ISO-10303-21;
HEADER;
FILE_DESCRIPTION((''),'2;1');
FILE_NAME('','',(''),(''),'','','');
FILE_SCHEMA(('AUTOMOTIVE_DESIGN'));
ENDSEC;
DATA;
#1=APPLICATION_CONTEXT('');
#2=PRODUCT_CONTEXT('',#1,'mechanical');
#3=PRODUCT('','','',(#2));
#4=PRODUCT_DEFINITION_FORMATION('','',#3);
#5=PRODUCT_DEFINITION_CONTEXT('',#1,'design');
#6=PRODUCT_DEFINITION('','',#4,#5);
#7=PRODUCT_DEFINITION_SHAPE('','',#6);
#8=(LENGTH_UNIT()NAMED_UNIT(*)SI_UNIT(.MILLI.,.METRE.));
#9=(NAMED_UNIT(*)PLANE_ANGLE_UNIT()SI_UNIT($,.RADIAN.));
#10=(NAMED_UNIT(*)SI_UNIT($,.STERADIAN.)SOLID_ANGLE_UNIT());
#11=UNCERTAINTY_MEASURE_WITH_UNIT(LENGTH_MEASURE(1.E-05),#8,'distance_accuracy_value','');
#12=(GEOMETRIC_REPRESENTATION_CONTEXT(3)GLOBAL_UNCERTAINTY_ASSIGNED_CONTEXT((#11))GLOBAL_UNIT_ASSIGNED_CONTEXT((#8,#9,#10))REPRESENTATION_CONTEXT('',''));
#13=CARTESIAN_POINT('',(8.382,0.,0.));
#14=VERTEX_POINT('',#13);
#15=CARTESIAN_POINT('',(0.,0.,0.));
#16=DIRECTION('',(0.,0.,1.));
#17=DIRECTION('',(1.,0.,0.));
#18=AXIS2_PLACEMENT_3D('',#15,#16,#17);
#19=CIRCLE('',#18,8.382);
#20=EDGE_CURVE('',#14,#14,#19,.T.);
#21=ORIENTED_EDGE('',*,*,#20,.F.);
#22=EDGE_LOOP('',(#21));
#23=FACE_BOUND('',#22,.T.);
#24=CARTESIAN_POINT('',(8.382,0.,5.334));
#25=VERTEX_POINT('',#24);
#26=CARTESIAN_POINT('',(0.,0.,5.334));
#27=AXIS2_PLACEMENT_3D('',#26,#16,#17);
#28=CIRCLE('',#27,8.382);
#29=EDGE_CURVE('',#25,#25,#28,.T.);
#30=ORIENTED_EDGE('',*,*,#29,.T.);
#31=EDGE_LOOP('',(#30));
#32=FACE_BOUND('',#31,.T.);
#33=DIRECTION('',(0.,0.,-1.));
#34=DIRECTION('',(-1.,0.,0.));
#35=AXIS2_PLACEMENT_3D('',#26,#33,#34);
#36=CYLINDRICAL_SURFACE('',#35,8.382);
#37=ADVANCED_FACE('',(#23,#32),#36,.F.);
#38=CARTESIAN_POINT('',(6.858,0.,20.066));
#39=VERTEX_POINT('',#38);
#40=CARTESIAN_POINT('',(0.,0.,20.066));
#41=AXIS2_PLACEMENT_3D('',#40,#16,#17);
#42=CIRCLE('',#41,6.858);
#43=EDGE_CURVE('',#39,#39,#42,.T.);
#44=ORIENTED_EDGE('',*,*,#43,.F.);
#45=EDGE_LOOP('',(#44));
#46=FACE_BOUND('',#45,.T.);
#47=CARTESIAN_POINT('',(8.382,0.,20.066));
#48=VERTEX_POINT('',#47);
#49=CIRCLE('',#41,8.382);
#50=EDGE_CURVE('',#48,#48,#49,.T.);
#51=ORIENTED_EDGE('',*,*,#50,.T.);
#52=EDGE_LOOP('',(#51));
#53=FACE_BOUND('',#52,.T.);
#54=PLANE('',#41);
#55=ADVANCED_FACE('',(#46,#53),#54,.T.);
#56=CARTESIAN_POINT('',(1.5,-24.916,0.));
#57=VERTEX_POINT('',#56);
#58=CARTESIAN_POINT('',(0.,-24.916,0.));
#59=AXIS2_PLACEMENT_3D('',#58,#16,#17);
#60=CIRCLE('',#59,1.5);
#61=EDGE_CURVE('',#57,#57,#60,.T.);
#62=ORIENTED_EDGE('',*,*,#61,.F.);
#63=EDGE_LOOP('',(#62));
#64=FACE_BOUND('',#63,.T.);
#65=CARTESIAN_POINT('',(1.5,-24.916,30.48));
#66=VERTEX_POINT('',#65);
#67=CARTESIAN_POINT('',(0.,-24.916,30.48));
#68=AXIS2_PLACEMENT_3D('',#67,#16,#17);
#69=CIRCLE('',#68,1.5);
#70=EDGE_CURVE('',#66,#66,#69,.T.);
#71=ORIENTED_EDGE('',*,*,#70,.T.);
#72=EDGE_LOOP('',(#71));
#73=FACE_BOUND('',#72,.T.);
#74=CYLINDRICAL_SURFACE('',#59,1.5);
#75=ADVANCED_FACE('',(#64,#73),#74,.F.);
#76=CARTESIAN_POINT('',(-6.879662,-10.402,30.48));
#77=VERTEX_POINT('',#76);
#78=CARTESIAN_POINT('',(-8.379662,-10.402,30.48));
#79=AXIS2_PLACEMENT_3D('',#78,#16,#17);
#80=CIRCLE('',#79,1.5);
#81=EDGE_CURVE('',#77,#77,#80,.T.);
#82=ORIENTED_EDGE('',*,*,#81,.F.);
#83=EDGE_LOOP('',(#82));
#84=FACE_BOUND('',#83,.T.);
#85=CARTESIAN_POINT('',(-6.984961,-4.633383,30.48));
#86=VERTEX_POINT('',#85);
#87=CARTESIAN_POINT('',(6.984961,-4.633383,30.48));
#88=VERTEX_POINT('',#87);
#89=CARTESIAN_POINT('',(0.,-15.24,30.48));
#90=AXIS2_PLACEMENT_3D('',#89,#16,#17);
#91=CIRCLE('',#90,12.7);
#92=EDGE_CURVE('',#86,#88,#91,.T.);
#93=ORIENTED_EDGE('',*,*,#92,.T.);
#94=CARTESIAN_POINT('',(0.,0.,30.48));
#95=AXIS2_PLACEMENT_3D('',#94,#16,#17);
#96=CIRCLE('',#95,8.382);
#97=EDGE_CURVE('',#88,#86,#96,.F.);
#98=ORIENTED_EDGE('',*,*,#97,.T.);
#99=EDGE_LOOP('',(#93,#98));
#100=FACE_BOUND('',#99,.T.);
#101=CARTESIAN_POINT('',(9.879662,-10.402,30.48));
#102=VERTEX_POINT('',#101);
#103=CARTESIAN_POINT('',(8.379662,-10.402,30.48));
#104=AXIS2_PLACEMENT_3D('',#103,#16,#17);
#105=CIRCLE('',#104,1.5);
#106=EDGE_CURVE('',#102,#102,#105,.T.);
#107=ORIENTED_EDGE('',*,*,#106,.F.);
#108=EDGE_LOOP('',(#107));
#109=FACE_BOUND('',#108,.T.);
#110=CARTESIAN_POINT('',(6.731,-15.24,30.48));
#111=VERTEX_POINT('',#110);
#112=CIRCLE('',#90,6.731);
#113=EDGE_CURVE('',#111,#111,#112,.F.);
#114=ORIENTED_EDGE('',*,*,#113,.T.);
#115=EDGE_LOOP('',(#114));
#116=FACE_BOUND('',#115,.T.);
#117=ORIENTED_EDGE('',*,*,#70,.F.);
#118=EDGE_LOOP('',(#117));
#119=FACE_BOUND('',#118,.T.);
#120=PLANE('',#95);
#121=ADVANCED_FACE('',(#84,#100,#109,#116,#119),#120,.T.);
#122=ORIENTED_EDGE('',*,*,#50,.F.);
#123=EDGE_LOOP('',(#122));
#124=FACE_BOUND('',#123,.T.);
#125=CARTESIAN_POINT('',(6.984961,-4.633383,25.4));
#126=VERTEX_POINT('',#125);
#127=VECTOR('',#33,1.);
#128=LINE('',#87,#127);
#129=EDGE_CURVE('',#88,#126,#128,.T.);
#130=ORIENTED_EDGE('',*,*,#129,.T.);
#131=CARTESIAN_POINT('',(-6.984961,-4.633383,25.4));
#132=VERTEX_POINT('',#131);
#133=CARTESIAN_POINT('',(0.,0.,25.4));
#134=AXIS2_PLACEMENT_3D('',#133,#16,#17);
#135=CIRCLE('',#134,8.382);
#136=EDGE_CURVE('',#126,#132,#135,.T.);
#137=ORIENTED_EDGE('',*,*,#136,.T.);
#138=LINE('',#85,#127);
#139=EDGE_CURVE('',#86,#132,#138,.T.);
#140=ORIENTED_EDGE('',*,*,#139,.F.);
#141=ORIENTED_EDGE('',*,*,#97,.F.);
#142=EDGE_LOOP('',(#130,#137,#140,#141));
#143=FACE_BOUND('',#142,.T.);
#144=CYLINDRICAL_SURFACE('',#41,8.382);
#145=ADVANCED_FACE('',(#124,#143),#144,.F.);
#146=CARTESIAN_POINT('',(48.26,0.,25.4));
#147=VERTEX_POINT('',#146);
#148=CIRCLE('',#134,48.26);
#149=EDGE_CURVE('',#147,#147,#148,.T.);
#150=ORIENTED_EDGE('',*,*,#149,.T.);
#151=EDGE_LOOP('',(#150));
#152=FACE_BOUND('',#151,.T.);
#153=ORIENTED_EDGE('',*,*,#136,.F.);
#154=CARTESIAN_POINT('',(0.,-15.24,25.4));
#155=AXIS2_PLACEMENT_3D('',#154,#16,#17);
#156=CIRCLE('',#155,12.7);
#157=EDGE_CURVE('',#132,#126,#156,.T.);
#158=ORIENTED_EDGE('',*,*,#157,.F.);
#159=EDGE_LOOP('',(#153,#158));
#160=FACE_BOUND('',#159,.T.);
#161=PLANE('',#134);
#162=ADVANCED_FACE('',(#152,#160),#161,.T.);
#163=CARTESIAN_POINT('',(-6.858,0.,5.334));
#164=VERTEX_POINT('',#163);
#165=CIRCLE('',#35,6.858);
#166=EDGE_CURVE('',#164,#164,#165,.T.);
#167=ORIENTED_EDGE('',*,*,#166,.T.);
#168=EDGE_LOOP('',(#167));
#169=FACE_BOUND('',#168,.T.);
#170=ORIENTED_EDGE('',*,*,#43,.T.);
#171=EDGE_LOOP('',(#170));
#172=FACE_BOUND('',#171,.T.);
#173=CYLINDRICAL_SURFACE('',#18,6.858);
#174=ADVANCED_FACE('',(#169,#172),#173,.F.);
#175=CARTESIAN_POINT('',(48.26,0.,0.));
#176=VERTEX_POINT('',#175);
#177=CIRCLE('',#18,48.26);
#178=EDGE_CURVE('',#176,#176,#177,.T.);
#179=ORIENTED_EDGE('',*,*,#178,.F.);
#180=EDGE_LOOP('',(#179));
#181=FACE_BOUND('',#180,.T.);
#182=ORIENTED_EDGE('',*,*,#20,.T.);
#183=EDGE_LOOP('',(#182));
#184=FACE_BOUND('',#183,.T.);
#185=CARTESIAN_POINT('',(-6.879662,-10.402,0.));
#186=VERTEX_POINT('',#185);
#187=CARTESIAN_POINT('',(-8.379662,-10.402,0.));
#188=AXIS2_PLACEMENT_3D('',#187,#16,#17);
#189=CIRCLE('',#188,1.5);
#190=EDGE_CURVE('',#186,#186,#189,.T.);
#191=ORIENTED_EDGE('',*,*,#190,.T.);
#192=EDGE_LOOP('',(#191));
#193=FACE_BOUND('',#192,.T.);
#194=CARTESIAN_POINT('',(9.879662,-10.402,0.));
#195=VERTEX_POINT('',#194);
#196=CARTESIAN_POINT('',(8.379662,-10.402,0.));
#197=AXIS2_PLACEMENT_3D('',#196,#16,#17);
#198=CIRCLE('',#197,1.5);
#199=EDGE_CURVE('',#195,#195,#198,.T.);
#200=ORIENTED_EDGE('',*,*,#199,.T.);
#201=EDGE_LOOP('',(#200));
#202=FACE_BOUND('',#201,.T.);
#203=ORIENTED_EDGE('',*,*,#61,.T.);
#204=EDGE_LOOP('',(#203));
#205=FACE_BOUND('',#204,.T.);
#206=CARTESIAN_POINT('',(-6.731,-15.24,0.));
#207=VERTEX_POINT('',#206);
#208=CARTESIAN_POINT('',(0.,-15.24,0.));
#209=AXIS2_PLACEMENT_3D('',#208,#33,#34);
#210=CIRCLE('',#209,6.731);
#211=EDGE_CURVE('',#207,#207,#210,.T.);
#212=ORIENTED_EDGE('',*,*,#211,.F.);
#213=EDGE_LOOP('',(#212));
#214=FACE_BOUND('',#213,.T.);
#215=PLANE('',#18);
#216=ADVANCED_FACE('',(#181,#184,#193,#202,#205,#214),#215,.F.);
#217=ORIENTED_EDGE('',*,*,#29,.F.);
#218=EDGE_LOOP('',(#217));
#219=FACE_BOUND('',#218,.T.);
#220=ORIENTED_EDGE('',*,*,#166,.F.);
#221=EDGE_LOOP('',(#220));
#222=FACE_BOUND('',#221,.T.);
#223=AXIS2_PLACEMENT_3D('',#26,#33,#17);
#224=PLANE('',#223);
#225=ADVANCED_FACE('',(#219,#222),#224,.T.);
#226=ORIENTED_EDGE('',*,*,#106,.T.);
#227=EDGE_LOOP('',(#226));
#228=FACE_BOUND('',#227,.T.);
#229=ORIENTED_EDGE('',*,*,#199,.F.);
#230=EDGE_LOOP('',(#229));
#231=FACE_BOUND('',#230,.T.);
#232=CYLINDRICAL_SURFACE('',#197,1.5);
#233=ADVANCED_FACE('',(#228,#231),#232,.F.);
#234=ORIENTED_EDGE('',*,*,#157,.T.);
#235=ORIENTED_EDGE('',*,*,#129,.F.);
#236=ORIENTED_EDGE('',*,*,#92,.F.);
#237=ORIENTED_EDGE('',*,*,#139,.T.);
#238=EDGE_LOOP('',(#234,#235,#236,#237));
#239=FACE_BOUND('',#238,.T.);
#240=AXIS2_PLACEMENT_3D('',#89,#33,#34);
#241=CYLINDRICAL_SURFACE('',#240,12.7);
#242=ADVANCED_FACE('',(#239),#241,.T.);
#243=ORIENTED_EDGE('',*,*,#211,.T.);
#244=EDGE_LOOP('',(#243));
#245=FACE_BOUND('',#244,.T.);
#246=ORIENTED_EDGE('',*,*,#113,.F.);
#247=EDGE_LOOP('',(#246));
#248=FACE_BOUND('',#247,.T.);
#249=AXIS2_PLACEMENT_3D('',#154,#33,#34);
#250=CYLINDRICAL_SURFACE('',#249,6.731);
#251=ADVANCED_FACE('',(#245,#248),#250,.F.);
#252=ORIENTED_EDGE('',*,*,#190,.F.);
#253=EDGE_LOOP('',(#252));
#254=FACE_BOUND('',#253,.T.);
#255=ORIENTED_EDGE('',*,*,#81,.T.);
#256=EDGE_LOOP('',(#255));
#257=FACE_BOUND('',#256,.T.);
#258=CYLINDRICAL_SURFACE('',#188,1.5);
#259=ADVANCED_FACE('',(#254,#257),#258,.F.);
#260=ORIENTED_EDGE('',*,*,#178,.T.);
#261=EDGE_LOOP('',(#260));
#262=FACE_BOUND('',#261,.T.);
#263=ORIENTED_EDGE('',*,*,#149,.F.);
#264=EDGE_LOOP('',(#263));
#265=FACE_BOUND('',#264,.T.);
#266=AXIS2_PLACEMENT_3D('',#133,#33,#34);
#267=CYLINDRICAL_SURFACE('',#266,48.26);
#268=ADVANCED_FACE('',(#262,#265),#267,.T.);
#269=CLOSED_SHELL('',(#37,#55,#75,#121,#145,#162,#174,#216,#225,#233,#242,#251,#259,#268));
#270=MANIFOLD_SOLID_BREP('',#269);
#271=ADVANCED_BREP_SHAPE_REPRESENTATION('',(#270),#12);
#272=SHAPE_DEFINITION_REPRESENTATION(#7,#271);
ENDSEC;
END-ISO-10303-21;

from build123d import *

# Parameters (mm, degrees)
SKETCH1_R           = 48.26
BOSS_EXTRUDE1_DEPTH = 25.4
SKETCH2_R           = 8.382
CUT_EXTRUDE1_DEPTH  = 5.334
SKETCH12_R          = 6.731
CUT_EXTRUDE5_DEPTH  = 73.823177629
SKETCH15_R          = 6.731
BOSS_EXTRUDE2_DEPTH = 5.08
SKETCH16_R          = 1.5
CUT_EXTRUDE9_DEPTH  = 75.746809965
SKETCH14_R          = 6.858
CUT_EXTRUDE8_DEPTH  = 73.823177629


with BuildPart() as part:
    # Sketch1 → Boss-Extrude1 (new body)
    with BuildSketch(Plane.XY):
        Circle(SKETCH1_R)
    extrude(amount=BOSS_EXTRUDE1_DEPTH)

    # Sketch2 → Cut-Extrude1 (cut)
    with BuildSketch(Plane.XY.offset(25.4)):
        Circle(SKETCH2_R)
    cut_extrude1 = extrude(amount=-CUT_EXTRUDE1_DEPTH, mode=Mode.SUBTRACT)

    # Sketch12 → Cut-Extrude5 (cut, through all)
    with BuildSketch(Plane(origin=(0, 0, 0), x_dir=(-1, 0, 0), z_dir=(0, 0, -1))):
        with Locations((0, -15.24)):
            Circle(SKETCH12_R)
    extrude(amount=-CUT_EXTRUDE5_DEPTH, mode=Mode.SUBTRACT)

    # Sketch15 → Boss-Extrude2 (add)
    with BuildSketch(Plane.XY.offset(25.4)):
        with BuildLine():
            ThreePointArc((6.984961194, -4.633383333), (0, -8.382), (-6.984961194, -4.633383333))
            ThreePointArc((-6.984961194, -4.633383333), (0, -27.94), (6.984961194, -4.633383333))
        make_face()
        with Locations(Location((0, -15.24, 0), (0, 0, 180))):
            Circle(SKETCH15_R, mode=Mode.SUBTRACT)
    extrude(amount=BOSS_EXTRUDE2_DEPTH)

    # Sketch16 → Cut-Extrude9 (cut, through all)
    with BuildSketch(Plane.XY.offset(30.48)):
        with Locations((8.379661807, -10.402)):
            Circle(SKETCH16_R)
        with Locations((0, -24.916)):
            Circle(SKETCH16_R)
        with Locations((-8.379661807, -10.402)):
            Circle(SKETCH16_R)
    extrude(amount=-CUT_EXTRUDE9_DEPTH, mode=Mode.SUBTRACT)

    # Mirror1: Cut-Extrude1 across plane
    add(cut_extrude1.mirror(Plane.XY.offset(12.7)), mode=Mode.SUBTRACT)

    # Sketch14 → Cut-Extrude8 (cut, through all)
    with BuildSketch(Plane.XY.offset(25.4)):
        Circle(SKETCH14_R)
    extrude(amount=-CUT_EXTRUDE8_DEPTH, mode=Mode.SUBTRACT)


solid = part.part
